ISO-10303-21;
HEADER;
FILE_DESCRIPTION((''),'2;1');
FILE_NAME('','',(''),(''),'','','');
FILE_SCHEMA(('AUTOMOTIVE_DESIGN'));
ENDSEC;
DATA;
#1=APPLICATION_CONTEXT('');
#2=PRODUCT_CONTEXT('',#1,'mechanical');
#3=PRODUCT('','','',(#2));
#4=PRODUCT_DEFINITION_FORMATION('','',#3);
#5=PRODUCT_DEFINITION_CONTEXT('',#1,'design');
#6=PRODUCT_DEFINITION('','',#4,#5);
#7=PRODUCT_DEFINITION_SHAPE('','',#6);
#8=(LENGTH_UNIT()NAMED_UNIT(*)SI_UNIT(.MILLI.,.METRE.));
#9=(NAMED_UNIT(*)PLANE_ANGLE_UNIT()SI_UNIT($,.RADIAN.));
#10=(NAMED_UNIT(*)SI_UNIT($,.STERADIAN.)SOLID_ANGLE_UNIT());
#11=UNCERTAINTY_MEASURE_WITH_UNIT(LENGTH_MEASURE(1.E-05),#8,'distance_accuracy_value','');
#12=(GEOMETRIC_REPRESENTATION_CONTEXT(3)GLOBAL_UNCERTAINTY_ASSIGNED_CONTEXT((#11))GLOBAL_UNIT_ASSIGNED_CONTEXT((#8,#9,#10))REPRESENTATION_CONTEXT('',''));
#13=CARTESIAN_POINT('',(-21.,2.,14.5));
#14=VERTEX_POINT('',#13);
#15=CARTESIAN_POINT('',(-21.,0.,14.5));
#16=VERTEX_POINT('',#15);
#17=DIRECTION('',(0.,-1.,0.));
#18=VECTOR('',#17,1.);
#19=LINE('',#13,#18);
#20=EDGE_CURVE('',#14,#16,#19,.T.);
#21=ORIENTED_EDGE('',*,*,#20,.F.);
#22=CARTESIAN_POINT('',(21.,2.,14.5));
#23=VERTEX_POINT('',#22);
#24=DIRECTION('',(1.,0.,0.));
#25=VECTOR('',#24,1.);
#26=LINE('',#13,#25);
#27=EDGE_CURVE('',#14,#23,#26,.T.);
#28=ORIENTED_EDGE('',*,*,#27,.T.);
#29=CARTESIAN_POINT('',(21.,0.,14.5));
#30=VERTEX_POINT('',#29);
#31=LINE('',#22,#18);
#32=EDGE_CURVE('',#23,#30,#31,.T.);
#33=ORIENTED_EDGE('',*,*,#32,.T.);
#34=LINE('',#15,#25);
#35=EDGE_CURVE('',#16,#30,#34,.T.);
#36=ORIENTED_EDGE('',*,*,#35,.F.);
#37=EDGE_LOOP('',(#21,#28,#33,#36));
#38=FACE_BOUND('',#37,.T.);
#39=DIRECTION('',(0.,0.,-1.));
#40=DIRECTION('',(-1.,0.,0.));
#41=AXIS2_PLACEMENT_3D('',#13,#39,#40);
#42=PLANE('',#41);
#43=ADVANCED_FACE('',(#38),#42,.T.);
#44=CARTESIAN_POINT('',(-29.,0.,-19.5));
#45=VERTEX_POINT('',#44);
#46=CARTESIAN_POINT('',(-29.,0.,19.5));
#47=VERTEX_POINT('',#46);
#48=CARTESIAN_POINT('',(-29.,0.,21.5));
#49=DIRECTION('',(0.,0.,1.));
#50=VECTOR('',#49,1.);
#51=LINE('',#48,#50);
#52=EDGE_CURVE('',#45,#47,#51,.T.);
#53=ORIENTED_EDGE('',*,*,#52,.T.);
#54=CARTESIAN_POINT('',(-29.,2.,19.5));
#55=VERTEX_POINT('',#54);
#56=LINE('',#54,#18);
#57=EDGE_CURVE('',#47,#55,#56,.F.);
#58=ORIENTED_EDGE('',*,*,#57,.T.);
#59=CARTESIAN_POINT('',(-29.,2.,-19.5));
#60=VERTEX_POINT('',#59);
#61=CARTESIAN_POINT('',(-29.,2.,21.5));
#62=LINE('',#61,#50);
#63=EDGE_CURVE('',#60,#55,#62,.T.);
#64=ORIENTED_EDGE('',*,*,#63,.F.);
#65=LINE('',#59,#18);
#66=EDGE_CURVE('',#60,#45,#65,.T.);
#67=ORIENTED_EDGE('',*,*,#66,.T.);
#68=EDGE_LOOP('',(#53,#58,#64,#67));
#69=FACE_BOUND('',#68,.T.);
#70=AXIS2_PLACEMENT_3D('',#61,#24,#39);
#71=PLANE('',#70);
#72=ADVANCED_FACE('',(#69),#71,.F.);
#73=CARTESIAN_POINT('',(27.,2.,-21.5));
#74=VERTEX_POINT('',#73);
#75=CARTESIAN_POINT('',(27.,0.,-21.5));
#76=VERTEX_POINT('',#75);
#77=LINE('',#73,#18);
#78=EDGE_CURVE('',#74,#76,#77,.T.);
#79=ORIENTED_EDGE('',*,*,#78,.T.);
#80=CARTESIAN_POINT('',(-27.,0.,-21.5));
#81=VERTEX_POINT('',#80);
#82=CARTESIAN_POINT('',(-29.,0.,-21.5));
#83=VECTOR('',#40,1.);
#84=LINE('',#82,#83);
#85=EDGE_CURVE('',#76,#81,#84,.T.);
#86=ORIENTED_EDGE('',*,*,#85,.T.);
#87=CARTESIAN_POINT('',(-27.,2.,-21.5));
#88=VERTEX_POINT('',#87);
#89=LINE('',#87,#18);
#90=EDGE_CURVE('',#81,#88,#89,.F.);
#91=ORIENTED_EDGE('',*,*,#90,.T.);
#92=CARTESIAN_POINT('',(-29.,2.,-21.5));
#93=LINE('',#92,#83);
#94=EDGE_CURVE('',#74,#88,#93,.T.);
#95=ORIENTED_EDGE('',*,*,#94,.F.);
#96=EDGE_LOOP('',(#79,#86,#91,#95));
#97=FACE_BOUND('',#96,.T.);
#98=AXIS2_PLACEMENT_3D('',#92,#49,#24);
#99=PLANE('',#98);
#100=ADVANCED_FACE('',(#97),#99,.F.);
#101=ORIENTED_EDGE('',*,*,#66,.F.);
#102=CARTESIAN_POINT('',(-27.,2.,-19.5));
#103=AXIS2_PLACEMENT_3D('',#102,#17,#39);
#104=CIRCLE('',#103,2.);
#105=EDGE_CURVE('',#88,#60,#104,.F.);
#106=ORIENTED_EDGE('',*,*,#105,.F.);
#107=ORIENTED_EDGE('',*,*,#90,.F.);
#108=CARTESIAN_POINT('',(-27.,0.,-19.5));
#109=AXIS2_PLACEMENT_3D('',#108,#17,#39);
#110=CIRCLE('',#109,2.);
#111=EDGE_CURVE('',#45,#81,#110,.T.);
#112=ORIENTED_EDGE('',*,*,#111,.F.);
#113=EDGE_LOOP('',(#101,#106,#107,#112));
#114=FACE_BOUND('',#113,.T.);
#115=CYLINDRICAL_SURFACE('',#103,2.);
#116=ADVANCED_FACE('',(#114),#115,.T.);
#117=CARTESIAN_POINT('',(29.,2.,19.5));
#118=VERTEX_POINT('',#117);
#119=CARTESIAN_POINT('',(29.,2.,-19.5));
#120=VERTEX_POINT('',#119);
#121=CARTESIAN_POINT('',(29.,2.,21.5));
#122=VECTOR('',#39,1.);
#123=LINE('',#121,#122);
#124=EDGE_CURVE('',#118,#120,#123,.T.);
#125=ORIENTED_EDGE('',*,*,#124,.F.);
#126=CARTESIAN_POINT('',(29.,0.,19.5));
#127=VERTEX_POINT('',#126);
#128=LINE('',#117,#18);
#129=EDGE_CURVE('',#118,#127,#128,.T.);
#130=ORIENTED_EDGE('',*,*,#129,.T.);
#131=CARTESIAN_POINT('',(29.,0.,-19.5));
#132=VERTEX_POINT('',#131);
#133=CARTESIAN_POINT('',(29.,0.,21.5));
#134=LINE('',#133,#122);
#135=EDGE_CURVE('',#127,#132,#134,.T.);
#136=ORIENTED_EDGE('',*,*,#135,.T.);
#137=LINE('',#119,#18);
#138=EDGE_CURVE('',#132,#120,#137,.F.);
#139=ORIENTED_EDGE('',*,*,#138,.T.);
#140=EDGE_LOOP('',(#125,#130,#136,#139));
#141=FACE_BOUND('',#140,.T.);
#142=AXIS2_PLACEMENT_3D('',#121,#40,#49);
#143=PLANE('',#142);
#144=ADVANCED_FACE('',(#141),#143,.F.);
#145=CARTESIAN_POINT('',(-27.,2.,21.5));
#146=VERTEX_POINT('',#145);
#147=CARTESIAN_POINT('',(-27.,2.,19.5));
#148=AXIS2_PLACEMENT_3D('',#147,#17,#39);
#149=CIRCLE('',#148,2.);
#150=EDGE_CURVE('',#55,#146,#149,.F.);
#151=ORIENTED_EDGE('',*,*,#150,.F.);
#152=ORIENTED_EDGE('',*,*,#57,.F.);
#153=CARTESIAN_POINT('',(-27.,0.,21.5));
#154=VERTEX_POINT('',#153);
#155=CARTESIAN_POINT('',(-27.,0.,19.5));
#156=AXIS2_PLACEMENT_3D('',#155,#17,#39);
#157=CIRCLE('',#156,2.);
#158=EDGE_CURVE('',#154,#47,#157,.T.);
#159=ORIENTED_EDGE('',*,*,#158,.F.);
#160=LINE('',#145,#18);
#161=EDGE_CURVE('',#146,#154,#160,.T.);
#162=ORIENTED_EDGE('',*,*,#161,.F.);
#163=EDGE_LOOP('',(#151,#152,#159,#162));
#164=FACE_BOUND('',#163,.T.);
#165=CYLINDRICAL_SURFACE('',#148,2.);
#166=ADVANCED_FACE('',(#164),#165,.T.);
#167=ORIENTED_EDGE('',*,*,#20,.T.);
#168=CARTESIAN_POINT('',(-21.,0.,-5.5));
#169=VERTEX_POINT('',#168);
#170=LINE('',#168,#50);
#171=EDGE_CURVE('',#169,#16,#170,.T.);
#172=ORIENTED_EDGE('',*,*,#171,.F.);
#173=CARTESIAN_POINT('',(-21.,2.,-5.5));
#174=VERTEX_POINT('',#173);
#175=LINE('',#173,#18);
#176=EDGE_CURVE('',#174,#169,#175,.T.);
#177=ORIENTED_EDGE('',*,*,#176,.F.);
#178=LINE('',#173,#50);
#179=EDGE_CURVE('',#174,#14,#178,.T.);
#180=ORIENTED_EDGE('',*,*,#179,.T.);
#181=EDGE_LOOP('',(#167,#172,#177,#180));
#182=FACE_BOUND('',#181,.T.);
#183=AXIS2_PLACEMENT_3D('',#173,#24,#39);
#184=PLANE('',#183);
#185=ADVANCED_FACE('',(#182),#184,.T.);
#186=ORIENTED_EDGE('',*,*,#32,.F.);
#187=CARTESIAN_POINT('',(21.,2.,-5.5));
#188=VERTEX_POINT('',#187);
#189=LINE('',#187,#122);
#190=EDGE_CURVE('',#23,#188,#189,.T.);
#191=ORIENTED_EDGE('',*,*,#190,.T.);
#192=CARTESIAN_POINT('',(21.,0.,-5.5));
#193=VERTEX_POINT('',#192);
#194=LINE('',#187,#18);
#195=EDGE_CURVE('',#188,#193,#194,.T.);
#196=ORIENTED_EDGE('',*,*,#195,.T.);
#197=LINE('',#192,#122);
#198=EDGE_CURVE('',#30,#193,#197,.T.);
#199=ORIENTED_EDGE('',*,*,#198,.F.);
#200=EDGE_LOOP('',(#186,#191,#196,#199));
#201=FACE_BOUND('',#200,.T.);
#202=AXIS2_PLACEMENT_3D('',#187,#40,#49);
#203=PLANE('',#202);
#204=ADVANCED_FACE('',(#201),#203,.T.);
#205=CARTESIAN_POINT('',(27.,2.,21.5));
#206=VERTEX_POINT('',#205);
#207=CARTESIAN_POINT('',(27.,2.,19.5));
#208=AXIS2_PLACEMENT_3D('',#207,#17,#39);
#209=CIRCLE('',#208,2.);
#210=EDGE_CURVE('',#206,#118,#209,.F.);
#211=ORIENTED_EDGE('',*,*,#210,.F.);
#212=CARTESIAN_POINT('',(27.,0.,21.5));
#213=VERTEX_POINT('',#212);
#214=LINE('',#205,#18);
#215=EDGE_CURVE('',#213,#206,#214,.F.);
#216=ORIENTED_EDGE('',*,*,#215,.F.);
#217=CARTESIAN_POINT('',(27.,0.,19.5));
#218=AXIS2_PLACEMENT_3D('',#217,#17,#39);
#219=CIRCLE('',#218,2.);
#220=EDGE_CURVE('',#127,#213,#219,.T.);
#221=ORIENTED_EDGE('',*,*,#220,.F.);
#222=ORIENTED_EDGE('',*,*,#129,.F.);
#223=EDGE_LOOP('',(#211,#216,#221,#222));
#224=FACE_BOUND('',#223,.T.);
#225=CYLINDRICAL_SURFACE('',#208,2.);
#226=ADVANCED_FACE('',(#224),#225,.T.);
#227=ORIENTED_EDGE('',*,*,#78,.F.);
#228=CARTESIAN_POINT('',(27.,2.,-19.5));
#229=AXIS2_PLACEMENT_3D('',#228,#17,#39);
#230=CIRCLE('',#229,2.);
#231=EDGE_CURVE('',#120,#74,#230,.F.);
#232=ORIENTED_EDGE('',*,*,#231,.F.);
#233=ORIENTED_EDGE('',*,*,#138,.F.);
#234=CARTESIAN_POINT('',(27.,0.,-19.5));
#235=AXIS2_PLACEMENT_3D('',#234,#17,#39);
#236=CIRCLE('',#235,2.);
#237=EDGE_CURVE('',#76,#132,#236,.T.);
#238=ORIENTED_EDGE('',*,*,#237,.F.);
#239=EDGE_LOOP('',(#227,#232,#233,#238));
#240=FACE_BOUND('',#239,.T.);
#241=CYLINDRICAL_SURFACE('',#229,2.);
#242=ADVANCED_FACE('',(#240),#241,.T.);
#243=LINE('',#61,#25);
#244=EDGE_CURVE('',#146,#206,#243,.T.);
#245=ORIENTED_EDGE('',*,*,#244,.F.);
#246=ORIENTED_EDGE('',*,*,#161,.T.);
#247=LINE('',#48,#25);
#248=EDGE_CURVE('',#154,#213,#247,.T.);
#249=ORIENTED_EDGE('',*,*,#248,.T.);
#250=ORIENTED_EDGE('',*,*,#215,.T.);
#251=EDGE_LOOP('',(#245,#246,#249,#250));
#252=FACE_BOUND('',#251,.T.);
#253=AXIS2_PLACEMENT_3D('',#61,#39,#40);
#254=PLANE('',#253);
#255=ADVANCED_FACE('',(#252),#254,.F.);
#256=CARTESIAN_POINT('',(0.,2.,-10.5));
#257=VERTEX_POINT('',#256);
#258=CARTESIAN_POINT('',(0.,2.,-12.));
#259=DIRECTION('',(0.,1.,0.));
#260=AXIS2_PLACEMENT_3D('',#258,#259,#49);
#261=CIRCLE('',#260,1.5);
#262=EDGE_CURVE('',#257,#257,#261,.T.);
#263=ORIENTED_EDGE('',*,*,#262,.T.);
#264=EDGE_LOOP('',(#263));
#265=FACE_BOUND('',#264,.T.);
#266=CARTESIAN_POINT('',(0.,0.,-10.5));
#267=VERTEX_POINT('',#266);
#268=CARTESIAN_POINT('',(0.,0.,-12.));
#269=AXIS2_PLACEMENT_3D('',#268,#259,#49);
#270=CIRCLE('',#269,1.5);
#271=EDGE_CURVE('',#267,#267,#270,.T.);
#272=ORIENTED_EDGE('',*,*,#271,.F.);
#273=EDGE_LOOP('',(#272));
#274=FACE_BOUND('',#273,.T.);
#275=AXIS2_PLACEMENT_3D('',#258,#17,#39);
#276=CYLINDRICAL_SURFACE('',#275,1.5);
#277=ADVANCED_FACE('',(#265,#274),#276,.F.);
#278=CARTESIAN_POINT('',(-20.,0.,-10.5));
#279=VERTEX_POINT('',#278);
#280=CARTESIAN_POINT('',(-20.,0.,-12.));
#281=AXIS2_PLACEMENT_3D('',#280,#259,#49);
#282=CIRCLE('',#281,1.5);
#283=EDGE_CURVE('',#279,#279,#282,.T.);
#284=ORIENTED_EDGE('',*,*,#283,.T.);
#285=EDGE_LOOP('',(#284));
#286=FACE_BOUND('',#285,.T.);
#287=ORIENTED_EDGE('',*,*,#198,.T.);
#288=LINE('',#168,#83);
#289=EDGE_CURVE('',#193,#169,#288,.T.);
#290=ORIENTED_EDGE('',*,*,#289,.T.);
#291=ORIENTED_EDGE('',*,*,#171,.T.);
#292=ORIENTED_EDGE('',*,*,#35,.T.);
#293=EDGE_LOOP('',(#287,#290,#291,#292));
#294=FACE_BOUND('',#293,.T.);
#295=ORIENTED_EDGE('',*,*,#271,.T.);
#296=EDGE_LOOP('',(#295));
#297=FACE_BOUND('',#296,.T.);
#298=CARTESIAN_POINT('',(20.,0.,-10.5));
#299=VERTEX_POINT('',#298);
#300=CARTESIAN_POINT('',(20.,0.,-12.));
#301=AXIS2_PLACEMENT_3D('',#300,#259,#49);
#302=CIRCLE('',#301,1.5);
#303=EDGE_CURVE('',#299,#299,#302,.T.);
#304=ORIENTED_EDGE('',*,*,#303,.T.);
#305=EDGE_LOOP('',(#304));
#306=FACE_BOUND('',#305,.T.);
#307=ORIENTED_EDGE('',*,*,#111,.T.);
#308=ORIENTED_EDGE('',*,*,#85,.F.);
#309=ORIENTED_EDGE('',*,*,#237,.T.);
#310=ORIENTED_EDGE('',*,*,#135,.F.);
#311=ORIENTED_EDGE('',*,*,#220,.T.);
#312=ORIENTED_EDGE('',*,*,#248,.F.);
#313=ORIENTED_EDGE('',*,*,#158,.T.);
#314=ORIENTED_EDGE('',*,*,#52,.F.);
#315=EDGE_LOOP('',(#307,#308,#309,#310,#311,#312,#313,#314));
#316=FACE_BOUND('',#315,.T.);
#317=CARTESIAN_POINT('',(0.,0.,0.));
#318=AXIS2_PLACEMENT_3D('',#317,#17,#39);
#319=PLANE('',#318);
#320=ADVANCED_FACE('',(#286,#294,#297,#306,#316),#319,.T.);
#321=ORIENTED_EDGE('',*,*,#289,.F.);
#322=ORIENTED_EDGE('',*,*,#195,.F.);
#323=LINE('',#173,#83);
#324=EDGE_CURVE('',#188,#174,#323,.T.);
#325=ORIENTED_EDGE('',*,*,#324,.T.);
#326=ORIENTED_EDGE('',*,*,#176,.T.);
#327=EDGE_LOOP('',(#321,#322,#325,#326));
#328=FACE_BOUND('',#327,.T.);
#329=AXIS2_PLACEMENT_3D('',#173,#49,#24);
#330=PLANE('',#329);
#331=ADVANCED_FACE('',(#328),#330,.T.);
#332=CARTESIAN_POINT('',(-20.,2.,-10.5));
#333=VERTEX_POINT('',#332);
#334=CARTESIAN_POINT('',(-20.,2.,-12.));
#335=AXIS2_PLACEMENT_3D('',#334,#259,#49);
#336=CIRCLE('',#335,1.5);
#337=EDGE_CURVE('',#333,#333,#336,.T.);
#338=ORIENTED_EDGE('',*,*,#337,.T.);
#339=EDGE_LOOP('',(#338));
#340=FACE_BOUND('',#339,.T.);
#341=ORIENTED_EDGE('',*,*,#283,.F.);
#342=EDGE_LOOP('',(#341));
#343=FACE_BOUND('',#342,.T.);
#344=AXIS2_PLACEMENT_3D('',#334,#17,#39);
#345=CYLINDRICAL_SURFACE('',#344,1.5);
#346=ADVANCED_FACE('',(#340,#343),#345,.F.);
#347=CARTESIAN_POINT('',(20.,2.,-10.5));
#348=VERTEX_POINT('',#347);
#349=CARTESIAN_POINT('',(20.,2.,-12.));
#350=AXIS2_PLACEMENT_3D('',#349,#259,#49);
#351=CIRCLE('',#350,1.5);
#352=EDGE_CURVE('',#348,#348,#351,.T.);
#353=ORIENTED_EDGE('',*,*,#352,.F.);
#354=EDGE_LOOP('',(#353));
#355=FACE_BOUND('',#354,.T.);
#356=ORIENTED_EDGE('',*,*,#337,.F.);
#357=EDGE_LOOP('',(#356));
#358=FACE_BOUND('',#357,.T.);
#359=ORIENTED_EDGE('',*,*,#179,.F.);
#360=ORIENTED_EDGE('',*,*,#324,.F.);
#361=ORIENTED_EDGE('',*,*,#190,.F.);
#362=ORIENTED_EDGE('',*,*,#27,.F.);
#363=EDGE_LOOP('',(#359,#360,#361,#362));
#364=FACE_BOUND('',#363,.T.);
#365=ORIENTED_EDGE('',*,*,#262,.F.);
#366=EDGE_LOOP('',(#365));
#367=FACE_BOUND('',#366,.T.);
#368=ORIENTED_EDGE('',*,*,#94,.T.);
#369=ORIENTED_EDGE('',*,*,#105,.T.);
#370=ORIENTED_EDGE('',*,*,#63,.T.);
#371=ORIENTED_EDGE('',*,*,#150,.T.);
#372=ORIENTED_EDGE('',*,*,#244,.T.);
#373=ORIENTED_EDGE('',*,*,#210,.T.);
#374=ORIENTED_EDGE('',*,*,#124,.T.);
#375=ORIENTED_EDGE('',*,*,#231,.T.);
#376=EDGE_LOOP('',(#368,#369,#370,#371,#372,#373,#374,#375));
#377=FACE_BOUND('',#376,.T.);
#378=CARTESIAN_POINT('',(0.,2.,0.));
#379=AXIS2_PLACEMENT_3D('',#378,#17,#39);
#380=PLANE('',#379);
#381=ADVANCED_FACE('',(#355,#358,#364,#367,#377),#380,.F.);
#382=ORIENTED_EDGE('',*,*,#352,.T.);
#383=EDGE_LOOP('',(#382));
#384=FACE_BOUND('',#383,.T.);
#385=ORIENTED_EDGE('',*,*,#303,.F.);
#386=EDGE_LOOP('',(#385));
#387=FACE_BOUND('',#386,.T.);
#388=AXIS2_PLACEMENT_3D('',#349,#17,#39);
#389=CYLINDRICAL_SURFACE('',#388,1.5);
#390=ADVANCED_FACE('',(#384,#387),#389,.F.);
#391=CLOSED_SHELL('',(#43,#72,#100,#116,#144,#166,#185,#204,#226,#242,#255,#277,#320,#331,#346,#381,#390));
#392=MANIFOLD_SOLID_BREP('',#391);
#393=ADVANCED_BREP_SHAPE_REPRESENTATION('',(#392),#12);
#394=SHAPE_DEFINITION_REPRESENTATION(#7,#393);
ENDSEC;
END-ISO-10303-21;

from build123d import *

# Parameters (mm, degrees)
SKETCH1_W           = 58
SKETCH1_H           = 43
SKETCH1_R           = 1.5
SKETCH1_W_2         = 42
SKETCH1_H_2         = 20
BOSS_EXTRUDE1_DEPTH = 2
FILLET1_R           = 2


with BuildPart() as part:
    # Sketch1 → Boss-Extrude1 (new body)
    with BuildSketch(Plane(origin=(0, 0, 0), x_dir=(1, 0, 0), z_dir=(0, 1, 0))):
        Rectangle(SKETCH1_W, SKETCH1_H)
        with Locations(Location((0, 12, 0), (0, 0, 270))):
            Circle(SKETCH1_R, mode=Mode.SUBTRACT)
        with Locations(Location((20, 12, 0), (0, 0, 270))):
            Circle(SKETCH1_R, mode=Mode.SUBTRACT)
        with Locations(Location((-20, 12, 0), (0, 0, 270))):
            Circle(SKETCH1_R, mode=Mode.SUBTRACT)
        with Locations((0, -4.5)):
            Rectangle(SKETCH1_W_2, SKETCH1_H_2, mode=Mode.SUBTRACT)
    extrude(amount=BOSS_EXTRUDE1_DEPTH)

    # Fillet1
    fillet1_edges = [part.edges().sort_by_distance(p)[0] for p in [
        (29, 1, 21.5),
        (-29, 1, 21.5),
        (-29, 1, -21.5),
        (29, 1, -21.5),
    ]]
    fillet(fillet1_edges, radius=FILLET1_R)


solid = part.part
